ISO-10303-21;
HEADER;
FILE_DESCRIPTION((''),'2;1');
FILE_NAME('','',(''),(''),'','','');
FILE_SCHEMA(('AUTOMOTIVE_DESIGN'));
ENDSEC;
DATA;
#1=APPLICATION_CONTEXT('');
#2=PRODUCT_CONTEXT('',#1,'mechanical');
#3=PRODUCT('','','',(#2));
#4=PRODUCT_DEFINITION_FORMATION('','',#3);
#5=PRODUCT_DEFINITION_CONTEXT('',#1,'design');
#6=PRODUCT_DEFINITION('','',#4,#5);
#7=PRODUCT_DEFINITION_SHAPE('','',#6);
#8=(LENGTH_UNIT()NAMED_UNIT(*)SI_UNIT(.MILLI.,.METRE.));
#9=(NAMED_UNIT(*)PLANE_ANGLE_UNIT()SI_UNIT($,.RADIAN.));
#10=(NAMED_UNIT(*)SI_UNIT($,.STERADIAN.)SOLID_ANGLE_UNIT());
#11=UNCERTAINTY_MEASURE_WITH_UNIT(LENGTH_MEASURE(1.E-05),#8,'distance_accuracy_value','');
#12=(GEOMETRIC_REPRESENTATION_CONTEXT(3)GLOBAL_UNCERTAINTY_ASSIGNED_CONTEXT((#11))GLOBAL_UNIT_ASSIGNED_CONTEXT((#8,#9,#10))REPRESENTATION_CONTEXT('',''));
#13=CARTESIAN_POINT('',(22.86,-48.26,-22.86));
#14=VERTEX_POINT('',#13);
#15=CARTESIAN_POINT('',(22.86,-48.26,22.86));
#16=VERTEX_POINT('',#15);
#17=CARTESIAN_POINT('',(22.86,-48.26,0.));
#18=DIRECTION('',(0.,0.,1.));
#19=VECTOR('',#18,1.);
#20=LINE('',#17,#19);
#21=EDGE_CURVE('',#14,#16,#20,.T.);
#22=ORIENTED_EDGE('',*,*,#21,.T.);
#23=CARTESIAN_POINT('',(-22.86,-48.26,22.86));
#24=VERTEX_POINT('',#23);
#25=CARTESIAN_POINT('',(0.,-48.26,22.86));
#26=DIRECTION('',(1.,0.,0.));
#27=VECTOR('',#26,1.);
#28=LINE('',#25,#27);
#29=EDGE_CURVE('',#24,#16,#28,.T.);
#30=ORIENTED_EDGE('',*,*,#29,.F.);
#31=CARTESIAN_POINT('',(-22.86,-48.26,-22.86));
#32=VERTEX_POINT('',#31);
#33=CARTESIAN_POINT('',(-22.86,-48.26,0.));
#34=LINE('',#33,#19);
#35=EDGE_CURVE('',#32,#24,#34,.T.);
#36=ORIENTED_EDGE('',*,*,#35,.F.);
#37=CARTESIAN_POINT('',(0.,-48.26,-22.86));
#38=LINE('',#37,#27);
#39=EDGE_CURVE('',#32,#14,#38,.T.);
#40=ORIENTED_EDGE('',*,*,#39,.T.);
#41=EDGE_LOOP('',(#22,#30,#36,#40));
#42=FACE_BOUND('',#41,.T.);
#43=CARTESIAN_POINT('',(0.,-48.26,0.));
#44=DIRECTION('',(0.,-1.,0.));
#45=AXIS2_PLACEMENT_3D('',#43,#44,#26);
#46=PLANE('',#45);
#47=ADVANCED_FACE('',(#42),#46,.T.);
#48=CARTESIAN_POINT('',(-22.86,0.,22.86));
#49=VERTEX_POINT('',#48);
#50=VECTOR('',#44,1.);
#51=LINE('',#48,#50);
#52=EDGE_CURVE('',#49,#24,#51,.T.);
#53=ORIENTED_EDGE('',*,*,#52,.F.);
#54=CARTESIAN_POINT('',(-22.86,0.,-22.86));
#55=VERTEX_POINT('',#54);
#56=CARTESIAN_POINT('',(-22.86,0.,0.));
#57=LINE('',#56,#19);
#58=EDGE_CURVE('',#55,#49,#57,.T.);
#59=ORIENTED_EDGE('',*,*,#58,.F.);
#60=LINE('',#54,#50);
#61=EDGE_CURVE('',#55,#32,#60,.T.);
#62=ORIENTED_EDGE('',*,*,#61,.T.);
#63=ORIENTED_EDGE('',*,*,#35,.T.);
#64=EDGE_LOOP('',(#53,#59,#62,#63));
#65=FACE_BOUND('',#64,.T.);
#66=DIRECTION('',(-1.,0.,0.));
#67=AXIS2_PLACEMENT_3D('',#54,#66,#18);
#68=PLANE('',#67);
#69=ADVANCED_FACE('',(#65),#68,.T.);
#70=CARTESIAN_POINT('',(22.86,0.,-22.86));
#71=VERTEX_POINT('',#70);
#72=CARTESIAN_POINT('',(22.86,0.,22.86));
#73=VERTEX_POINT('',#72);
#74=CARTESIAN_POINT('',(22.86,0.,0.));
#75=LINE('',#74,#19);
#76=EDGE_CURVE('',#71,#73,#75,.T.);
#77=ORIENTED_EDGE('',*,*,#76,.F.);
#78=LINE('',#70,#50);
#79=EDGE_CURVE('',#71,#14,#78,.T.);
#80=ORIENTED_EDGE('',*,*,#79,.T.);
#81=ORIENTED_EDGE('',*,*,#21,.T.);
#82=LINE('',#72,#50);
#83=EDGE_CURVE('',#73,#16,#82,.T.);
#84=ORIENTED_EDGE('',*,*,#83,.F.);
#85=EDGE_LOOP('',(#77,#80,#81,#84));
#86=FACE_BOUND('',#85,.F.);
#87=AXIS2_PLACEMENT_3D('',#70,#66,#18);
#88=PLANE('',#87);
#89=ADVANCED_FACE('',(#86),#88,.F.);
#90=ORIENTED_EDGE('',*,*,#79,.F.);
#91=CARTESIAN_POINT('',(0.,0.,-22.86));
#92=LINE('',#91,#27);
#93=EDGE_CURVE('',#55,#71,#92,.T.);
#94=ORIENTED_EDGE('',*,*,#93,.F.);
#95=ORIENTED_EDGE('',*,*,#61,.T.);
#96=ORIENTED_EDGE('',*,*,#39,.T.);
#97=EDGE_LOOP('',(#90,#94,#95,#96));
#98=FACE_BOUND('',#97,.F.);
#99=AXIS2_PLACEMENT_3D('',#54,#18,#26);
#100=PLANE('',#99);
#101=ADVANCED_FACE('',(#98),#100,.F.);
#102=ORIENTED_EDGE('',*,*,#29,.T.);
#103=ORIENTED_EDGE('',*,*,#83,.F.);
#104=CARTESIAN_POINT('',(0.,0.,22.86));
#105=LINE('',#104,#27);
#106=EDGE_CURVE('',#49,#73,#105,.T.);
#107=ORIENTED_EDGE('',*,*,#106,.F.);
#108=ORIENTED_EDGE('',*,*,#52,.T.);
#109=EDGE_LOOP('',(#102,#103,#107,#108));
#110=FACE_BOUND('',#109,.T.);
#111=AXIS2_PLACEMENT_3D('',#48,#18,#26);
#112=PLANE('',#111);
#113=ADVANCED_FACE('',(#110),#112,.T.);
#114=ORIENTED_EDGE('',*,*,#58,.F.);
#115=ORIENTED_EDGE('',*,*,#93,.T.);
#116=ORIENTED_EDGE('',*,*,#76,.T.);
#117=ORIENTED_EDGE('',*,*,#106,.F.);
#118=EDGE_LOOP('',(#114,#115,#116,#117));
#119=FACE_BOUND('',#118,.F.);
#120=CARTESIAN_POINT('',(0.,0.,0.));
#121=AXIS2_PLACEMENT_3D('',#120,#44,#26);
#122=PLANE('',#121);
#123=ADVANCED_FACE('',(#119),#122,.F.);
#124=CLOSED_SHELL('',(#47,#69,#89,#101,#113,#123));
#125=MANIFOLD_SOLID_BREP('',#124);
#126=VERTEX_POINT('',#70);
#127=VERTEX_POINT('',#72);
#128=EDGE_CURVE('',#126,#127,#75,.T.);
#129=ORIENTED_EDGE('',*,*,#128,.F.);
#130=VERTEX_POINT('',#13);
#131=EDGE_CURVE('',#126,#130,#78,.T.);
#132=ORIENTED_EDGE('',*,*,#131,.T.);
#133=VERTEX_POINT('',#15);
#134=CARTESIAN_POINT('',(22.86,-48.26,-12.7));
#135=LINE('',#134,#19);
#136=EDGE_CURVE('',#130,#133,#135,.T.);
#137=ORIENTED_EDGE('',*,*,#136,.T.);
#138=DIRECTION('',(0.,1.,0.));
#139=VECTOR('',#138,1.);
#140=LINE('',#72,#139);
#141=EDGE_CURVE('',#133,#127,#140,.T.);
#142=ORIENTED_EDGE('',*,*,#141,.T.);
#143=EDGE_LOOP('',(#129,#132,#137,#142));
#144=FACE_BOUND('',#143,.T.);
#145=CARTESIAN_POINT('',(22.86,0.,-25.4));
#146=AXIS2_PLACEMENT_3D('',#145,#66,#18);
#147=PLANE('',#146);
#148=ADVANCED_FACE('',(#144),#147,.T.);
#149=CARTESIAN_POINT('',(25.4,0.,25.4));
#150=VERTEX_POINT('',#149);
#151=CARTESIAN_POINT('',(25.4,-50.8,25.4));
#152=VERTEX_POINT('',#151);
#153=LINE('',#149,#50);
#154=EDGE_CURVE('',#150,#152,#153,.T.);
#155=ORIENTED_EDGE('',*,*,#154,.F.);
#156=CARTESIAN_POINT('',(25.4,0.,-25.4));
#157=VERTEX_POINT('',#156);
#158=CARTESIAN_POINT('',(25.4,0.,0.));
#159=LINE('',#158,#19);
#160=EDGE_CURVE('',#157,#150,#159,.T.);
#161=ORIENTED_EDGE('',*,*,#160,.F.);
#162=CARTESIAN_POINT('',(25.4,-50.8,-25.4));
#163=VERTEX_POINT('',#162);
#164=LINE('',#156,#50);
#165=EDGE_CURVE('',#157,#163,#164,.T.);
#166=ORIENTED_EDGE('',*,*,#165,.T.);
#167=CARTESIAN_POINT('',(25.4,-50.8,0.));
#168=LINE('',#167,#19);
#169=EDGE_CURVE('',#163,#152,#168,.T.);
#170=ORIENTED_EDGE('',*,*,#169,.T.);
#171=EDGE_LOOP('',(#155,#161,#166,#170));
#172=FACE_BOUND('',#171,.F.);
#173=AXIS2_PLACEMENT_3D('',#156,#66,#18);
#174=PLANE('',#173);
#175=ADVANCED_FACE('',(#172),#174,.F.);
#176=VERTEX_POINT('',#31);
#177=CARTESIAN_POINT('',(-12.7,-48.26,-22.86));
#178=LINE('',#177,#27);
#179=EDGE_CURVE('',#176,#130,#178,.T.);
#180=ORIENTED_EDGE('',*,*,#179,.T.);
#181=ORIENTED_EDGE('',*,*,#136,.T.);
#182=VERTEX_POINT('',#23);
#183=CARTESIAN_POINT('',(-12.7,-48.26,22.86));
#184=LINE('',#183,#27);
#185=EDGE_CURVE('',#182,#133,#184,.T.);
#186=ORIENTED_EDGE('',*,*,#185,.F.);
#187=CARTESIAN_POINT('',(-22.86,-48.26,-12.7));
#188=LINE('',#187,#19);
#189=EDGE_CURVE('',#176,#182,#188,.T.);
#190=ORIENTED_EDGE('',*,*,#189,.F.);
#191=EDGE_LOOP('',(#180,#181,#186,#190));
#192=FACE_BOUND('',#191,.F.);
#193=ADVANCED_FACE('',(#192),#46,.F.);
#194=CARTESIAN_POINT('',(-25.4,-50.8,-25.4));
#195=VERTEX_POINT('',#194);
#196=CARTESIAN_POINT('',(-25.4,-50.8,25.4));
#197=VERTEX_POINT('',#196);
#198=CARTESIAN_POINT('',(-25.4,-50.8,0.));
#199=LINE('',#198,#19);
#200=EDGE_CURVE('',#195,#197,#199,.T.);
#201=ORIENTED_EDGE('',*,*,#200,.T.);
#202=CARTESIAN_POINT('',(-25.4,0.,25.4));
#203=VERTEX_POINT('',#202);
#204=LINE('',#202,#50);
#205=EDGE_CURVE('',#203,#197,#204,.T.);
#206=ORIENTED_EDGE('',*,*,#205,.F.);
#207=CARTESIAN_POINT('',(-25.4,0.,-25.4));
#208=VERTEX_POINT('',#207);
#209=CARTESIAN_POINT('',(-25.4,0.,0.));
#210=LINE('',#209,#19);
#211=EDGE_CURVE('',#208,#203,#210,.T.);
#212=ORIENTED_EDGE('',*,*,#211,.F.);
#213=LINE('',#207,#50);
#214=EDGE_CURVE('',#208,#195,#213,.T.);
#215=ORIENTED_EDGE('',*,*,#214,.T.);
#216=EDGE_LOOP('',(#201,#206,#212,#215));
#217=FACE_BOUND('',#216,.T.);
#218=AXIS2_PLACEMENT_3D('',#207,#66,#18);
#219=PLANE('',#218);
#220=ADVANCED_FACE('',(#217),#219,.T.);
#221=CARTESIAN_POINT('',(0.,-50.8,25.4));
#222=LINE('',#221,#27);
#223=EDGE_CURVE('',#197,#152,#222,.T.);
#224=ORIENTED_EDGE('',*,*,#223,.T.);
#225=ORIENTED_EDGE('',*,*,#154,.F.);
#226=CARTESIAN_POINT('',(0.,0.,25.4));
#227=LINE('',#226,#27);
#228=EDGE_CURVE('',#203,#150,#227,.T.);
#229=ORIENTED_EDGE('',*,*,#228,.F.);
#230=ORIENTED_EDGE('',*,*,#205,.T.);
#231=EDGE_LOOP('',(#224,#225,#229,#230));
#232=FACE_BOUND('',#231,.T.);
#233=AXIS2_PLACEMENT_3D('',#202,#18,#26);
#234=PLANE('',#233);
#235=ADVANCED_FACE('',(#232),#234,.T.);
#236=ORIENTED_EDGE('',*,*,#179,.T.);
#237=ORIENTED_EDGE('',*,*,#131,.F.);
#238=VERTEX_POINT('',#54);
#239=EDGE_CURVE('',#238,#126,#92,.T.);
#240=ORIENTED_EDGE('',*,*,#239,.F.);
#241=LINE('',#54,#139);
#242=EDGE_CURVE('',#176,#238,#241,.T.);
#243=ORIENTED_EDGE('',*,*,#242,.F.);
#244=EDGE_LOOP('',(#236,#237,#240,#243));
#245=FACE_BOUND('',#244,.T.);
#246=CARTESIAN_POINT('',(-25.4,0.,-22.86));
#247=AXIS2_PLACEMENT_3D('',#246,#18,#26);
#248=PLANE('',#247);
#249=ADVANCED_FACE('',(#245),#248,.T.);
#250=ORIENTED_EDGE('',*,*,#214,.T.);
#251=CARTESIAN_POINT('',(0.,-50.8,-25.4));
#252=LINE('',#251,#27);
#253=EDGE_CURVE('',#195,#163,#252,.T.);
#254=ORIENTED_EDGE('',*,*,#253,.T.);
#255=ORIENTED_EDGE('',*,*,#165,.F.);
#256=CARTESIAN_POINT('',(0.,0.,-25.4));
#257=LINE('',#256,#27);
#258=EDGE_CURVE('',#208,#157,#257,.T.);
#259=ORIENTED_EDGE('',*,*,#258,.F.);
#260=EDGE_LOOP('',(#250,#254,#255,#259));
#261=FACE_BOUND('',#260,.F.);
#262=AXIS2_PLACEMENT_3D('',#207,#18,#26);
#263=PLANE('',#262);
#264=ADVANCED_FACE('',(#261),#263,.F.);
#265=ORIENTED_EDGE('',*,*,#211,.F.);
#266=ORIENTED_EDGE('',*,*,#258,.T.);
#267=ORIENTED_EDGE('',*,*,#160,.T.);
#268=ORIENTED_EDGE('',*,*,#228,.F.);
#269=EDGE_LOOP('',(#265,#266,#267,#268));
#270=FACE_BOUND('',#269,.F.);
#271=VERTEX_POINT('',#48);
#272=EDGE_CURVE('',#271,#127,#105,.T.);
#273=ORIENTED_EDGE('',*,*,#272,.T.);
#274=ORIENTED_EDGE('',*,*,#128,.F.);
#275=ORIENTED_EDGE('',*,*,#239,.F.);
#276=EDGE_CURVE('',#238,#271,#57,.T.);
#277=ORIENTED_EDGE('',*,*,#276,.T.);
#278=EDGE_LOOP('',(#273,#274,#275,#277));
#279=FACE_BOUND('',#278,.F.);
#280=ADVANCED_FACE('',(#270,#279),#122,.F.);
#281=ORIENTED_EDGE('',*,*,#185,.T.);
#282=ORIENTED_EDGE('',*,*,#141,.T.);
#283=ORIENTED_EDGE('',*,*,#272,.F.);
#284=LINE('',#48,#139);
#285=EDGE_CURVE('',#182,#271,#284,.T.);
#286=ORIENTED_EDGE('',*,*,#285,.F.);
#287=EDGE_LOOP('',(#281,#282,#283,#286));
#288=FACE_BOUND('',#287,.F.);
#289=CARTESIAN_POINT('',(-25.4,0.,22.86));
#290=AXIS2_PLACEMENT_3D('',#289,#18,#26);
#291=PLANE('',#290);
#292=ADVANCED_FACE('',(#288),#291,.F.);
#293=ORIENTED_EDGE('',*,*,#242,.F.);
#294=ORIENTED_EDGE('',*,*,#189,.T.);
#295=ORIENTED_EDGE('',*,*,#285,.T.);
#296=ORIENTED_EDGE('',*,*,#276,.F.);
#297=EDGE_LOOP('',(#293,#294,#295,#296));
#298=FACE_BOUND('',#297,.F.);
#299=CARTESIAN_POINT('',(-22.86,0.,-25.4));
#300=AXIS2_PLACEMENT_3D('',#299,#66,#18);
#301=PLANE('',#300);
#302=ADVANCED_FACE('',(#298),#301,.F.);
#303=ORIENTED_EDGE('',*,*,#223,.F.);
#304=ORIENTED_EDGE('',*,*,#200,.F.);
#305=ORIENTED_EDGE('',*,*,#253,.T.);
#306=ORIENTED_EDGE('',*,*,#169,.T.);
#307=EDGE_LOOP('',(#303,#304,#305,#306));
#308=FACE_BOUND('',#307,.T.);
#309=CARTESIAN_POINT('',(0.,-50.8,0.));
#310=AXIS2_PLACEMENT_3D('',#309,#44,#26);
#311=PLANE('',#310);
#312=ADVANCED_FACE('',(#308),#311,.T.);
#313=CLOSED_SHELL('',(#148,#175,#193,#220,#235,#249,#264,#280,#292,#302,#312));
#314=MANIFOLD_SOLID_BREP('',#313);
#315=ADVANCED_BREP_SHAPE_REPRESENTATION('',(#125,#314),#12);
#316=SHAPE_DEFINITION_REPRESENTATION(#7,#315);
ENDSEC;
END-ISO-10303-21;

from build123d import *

# Parameters (mm, degrees)
F0_W     = 50.8
F0_H     = 50.8
F1_DEPTH = 50.8
F2_T     = -2.54
F3_W     = 45.72
F3_H     = 45.72
F4_DEPTH = 48.26


with BuildPart() as f1:
    # F0 (on Front) → F1 (new body)
    with BuildSketch(Plane.XZ):
        Rectangle(F0_W, F0_H)
    extrude(amount=F1_DEPTH)

    # F2
    f2_openings = [f1.faces().sort_by_distance(p)[0] for p in [
        (0, 0, 0),
    ]]
    offset(amount=F2_T, openings=f2_openings)


with BuildPart() as f4:
    # F3 (on Front) → F4 (new body, through all)
    with BuildSketch(Plane.XZ):
        Rectangle(F3_W, F3_H)
    extrude(amount=F4_DEPTH)


solid = Compound([f1.part, f4.part])
